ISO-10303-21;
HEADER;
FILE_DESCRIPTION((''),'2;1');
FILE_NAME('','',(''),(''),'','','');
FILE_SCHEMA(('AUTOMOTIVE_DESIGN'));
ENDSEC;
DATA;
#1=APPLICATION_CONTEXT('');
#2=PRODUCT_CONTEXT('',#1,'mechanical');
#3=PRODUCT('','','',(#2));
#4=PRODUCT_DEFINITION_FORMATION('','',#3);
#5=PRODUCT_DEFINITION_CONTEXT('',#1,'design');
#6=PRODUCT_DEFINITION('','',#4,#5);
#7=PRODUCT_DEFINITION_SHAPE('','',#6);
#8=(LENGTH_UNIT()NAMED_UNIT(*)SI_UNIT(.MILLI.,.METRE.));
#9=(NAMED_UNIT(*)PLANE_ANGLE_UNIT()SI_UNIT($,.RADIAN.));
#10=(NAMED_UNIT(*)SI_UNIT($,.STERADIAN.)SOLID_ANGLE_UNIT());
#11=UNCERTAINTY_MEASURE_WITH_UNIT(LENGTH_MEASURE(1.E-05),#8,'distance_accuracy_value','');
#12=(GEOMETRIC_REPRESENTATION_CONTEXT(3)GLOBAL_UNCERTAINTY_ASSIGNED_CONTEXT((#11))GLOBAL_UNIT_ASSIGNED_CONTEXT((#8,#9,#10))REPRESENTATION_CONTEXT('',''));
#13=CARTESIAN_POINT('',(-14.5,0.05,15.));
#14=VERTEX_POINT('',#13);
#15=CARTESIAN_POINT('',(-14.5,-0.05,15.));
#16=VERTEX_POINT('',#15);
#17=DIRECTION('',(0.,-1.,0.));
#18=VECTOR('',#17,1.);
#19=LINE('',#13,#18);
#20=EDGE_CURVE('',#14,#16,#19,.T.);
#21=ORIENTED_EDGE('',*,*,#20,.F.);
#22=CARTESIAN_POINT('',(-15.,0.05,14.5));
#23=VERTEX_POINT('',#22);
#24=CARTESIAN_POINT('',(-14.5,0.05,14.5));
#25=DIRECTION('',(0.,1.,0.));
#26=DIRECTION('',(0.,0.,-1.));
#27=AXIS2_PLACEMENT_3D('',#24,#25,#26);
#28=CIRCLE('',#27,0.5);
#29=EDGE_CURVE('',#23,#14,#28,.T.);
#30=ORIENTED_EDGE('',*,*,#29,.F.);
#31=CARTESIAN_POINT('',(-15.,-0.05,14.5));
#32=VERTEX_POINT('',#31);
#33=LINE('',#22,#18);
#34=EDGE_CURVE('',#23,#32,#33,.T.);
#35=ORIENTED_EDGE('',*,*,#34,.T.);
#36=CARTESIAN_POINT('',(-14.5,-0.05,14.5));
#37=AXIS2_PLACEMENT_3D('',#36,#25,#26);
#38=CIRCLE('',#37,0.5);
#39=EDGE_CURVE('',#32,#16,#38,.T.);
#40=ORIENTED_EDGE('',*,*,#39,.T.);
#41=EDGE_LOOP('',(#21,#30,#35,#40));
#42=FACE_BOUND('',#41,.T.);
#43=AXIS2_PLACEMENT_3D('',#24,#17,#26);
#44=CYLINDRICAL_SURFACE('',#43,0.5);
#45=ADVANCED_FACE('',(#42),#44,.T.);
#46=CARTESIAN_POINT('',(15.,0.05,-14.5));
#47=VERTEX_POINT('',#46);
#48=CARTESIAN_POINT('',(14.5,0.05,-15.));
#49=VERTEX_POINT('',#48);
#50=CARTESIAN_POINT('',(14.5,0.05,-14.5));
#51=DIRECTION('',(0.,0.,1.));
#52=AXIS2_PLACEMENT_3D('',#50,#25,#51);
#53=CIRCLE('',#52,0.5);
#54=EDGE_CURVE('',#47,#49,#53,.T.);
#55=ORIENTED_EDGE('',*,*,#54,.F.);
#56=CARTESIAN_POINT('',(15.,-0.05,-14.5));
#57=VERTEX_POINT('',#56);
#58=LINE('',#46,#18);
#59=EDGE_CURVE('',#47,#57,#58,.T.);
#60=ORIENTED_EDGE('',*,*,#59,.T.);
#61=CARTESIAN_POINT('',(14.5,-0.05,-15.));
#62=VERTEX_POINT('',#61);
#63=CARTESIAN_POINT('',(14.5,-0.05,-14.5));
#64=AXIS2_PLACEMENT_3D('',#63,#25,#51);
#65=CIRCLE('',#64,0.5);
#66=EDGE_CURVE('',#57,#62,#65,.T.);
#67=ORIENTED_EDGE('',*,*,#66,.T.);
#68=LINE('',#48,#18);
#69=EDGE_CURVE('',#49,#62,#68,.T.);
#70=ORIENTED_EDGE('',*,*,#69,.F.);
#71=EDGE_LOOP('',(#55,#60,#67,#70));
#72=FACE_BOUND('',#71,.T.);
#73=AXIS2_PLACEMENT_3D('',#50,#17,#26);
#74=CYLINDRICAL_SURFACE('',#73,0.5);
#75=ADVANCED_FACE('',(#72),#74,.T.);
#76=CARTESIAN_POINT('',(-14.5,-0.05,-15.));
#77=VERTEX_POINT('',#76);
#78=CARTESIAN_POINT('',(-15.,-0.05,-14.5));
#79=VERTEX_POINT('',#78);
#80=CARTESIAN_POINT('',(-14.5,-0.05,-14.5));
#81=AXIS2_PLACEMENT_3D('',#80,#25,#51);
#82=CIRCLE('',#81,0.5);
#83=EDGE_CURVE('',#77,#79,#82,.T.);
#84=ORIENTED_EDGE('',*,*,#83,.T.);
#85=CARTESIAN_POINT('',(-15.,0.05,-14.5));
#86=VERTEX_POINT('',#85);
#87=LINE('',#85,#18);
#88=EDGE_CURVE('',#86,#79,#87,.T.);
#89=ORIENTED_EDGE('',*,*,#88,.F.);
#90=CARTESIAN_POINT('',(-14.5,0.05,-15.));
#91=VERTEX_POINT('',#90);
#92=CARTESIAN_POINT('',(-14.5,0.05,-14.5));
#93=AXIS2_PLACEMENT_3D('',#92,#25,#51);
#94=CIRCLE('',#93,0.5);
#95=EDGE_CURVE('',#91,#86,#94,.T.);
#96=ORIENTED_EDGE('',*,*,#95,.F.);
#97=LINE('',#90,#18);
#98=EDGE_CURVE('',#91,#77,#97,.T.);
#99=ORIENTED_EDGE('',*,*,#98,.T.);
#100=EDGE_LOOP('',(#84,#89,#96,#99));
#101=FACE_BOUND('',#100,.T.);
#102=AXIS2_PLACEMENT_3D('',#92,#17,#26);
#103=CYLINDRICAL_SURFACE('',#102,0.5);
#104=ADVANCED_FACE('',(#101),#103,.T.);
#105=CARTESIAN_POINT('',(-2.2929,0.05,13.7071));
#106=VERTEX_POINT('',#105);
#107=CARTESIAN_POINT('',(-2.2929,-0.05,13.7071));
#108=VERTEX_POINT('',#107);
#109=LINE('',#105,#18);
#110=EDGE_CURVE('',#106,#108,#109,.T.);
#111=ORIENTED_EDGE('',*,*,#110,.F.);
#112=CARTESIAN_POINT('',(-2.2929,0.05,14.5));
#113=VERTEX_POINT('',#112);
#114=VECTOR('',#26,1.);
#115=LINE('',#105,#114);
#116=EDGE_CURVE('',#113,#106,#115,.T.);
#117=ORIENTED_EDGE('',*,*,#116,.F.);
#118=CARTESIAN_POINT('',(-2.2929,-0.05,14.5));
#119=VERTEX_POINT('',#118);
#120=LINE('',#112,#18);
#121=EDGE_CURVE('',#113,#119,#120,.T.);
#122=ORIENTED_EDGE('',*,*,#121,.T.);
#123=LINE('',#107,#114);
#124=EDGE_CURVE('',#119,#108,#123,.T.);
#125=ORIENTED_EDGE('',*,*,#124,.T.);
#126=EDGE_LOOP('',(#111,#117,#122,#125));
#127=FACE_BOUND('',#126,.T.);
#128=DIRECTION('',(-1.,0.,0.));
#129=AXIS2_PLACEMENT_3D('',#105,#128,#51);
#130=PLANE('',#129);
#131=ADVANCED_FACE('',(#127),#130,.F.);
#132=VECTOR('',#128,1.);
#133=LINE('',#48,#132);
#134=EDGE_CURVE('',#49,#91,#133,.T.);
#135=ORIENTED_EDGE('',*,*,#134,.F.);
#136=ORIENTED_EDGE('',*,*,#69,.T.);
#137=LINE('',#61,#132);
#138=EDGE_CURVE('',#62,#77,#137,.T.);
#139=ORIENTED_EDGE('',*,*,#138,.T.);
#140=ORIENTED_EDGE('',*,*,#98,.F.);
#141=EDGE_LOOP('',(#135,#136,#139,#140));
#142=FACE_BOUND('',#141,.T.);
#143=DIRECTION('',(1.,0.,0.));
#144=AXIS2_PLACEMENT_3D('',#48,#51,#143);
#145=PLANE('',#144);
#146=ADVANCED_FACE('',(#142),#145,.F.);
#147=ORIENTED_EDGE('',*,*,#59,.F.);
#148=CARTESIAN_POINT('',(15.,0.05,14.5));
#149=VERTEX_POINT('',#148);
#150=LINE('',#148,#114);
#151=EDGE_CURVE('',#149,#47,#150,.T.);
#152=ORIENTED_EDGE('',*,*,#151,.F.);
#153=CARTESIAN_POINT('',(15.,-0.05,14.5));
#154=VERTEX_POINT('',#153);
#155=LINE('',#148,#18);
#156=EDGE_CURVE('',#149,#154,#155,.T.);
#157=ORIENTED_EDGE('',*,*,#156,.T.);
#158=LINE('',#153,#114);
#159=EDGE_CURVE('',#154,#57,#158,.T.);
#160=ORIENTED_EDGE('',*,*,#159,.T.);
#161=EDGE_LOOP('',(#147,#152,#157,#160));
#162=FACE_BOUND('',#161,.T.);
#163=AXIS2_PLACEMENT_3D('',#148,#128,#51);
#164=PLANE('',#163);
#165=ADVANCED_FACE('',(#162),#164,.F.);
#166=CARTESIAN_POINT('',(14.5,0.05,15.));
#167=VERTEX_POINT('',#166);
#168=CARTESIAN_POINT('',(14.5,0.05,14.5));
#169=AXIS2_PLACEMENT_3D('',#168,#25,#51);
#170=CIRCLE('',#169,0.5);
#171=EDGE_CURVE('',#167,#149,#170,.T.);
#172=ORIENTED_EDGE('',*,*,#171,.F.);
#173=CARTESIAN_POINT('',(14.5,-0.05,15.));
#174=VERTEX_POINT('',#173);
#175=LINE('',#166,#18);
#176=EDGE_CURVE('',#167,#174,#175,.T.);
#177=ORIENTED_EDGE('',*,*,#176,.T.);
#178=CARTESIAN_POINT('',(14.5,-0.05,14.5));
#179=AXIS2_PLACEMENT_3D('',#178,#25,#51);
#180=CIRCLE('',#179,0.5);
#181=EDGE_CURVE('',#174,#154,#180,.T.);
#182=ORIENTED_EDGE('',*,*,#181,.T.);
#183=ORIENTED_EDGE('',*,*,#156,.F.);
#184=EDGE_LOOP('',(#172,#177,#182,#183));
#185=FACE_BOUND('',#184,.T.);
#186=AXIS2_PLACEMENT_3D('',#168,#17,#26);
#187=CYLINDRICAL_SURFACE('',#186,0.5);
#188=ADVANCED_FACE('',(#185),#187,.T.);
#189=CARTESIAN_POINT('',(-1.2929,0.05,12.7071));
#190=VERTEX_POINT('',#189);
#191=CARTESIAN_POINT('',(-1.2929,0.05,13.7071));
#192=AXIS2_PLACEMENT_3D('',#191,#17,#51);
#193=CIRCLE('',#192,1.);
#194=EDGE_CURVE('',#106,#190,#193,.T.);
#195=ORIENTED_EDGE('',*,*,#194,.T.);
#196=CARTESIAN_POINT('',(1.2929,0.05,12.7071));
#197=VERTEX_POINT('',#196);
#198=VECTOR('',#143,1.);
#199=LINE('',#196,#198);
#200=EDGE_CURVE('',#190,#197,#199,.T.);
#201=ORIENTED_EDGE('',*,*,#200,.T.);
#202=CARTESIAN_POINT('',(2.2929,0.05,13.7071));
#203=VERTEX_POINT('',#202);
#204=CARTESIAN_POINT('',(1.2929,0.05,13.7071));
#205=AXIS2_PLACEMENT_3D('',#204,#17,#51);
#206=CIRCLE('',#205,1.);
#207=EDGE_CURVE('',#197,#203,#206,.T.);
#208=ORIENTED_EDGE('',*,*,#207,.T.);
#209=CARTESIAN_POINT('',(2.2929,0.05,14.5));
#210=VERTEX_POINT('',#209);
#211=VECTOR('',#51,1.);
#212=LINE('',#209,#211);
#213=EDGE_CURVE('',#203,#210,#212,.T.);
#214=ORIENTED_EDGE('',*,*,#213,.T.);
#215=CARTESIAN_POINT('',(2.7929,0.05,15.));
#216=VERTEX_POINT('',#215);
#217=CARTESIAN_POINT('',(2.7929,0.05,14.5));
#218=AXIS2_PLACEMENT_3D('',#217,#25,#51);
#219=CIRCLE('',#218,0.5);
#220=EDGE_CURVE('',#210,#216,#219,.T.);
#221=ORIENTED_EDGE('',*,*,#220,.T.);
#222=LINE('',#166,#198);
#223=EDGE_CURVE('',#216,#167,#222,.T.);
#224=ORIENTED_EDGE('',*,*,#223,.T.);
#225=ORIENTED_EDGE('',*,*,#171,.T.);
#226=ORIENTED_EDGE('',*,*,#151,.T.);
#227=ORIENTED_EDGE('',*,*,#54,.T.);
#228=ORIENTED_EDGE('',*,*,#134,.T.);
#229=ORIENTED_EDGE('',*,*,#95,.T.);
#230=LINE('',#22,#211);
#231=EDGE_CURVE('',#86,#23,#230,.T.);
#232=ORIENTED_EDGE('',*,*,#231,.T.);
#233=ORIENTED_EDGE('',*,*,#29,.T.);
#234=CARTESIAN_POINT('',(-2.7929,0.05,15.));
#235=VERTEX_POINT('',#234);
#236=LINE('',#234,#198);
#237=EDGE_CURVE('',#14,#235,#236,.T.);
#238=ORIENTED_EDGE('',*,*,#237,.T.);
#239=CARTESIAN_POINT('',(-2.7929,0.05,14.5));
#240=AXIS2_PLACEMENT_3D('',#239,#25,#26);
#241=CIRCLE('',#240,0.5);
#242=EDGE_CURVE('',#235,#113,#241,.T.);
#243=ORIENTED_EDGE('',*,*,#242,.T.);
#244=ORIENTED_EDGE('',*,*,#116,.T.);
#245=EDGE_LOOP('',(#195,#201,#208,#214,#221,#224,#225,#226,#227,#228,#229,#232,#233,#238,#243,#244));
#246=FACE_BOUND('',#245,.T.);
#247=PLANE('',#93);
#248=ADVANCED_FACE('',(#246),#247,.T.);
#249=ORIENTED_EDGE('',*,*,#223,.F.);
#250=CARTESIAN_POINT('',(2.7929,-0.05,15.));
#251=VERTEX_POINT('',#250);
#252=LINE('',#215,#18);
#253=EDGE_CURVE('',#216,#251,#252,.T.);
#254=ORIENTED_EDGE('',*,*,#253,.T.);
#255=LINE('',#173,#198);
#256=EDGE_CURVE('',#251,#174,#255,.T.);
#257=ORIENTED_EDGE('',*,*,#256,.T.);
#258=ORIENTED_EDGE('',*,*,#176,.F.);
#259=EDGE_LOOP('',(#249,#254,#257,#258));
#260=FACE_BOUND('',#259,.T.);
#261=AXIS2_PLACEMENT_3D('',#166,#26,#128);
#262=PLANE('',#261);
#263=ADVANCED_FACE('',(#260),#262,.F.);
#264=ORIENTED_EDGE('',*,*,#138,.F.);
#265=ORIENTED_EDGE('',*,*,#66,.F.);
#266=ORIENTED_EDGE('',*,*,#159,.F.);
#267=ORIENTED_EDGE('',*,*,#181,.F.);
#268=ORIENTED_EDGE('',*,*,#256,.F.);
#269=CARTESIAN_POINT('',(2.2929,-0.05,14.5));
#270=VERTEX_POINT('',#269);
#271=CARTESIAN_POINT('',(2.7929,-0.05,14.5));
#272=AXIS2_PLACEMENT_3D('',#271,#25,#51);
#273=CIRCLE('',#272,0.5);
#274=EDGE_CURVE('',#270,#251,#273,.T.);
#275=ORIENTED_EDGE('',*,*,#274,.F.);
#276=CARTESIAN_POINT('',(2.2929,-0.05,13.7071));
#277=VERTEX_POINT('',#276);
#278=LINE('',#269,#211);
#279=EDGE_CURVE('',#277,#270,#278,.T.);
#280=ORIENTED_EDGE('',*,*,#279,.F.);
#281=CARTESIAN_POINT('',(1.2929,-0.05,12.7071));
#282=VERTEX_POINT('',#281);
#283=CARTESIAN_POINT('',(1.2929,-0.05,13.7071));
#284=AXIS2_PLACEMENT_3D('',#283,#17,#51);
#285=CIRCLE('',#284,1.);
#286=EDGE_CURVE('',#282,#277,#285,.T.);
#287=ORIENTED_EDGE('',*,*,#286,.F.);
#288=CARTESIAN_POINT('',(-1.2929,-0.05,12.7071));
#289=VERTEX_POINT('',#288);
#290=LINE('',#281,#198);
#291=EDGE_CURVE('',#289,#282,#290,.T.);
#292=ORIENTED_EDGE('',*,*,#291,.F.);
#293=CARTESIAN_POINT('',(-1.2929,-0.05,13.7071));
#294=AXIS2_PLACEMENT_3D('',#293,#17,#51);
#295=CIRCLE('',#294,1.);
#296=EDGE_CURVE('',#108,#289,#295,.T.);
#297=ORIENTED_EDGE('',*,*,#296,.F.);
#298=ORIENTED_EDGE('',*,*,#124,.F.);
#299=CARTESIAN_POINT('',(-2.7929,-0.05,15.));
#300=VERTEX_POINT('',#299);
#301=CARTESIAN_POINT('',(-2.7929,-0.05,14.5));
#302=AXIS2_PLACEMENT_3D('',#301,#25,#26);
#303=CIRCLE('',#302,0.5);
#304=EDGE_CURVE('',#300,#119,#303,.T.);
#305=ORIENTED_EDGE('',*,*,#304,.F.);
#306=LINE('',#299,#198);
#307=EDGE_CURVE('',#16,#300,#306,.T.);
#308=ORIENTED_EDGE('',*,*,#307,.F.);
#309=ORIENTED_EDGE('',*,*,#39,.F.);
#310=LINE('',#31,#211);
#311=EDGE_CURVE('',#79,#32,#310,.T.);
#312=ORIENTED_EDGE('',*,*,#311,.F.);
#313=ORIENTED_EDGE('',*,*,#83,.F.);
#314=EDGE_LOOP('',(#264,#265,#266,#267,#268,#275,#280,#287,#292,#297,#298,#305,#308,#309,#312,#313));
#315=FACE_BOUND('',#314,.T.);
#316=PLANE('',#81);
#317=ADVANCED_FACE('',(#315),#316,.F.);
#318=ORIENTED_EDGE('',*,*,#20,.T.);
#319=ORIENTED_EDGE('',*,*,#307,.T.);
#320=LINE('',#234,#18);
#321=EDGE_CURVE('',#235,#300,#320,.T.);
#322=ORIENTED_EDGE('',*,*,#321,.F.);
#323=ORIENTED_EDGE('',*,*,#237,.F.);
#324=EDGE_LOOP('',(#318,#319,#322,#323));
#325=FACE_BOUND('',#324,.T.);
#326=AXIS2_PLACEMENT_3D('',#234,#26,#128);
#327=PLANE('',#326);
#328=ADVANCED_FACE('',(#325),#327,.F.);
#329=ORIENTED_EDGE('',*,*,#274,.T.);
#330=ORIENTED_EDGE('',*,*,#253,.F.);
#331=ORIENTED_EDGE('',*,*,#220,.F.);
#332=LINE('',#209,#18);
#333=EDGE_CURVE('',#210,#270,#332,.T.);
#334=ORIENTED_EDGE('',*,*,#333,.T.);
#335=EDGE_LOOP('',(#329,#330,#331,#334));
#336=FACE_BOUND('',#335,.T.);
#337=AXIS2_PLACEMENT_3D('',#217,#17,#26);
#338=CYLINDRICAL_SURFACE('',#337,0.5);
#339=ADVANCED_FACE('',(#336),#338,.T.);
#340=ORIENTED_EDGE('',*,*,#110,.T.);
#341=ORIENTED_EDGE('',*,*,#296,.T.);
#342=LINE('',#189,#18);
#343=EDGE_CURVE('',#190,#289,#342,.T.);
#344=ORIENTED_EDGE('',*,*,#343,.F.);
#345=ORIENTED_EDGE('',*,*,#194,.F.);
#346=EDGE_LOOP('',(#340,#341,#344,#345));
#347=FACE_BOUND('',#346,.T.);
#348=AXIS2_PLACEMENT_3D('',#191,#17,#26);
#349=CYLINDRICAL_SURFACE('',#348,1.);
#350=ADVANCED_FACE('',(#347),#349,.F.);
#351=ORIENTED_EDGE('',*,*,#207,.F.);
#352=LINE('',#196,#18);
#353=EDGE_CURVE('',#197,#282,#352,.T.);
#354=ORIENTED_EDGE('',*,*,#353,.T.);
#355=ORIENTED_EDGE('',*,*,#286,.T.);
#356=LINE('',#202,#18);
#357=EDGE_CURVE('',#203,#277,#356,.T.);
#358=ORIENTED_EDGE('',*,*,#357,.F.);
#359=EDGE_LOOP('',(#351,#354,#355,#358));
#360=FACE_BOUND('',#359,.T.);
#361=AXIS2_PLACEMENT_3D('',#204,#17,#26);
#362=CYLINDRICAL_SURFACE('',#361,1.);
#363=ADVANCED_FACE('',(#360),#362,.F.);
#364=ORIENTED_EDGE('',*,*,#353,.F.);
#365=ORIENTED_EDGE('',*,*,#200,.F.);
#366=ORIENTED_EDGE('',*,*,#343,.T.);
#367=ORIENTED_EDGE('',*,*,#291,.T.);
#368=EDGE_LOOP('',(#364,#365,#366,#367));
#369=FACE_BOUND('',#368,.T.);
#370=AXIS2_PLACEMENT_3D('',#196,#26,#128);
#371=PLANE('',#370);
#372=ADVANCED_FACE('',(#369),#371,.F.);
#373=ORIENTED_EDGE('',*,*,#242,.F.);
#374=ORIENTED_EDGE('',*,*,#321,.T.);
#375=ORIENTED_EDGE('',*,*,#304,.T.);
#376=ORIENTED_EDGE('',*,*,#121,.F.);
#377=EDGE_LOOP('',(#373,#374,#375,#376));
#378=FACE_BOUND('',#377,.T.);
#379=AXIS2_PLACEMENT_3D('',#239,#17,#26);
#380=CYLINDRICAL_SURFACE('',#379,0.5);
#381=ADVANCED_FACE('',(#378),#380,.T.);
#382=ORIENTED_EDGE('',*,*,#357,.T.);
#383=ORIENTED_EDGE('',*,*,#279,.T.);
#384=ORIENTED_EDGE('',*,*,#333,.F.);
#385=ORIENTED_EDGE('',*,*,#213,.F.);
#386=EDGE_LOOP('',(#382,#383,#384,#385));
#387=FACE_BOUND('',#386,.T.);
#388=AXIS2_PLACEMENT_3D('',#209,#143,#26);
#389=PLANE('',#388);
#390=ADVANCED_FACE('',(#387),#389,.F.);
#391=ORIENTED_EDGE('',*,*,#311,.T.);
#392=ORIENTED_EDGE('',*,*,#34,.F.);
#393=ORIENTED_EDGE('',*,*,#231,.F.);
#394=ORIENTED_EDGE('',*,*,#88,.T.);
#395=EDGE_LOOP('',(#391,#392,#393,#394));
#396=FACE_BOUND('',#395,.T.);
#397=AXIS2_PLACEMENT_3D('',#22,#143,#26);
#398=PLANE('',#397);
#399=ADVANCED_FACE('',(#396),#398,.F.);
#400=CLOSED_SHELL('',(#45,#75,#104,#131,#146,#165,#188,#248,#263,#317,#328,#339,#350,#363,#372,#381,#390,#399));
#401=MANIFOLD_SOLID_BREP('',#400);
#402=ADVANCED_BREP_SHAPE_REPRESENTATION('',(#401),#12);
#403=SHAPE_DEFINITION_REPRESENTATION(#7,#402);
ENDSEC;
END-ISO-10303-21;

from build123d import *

# Parameters (mm, degrees)
BOSS_EXTRUDE1_DEPTH = 0.05


with BuildPart() as part:
    # Sketch1 → Boss-Extrude1 (new, symmetric)
    with BuildSketch(Plane(origin=(0, 0, 0), x_dir=(1, 0, 0), z_dir=(0, 1, 0))):
        with BuildLine():
            Line((2.2929, -14.5), (2.2929, -13.7071))
            ThreePointArc((2.2929, -13.7071), (2.000006781, -12.999993219), (1.2929, -12.7071))
            Line((1.2929, -12.7071), (-1.2929, -12.7071))
            ThreePointArc((-1.2929, -12.7071), (-2.000006781, -12.999993219), (-2.2929, -13.7071))
            Line((-2.2929, -13.7071), (-2.2929, -14.5))
            ThreePointArc((-2.2929, -14.5), (-2.439346609, -14.853553391), (-2.7929, -15))
            Line((-2.7929, -15), (-14.5, -15))
            ThreePointArc((-14.5, -15), (-14.853553391, -14.853553391), (-15, -14.5))
            Line((-15, -14.5), (-15, 14.5))
            ThreePointArc((-15, 14.5), (-14.853553391, 14.853553391), (-14.5, 15))
            Line((-14.5, 15), (14.5, 15))
            ThreePointArc((14.5, 15), (14.853553391, 14.853553391), (15, 14.5))
            Line((15, 14.5), (15, -14.5))
            ThreePointArc((15, -14.5), (14.853553391, -14.853553391), (14.5, -15))
            Line((14.5, -15), (2.7929, -15))
            ThreePointArc((2.7929, -15), (2.439346609, -14.853553391), (2.2929, -14.5))
        make_face()
    extrude(amount=BOSS_EXTRUDE1_DEPTH, both=True)


solid = part.part
